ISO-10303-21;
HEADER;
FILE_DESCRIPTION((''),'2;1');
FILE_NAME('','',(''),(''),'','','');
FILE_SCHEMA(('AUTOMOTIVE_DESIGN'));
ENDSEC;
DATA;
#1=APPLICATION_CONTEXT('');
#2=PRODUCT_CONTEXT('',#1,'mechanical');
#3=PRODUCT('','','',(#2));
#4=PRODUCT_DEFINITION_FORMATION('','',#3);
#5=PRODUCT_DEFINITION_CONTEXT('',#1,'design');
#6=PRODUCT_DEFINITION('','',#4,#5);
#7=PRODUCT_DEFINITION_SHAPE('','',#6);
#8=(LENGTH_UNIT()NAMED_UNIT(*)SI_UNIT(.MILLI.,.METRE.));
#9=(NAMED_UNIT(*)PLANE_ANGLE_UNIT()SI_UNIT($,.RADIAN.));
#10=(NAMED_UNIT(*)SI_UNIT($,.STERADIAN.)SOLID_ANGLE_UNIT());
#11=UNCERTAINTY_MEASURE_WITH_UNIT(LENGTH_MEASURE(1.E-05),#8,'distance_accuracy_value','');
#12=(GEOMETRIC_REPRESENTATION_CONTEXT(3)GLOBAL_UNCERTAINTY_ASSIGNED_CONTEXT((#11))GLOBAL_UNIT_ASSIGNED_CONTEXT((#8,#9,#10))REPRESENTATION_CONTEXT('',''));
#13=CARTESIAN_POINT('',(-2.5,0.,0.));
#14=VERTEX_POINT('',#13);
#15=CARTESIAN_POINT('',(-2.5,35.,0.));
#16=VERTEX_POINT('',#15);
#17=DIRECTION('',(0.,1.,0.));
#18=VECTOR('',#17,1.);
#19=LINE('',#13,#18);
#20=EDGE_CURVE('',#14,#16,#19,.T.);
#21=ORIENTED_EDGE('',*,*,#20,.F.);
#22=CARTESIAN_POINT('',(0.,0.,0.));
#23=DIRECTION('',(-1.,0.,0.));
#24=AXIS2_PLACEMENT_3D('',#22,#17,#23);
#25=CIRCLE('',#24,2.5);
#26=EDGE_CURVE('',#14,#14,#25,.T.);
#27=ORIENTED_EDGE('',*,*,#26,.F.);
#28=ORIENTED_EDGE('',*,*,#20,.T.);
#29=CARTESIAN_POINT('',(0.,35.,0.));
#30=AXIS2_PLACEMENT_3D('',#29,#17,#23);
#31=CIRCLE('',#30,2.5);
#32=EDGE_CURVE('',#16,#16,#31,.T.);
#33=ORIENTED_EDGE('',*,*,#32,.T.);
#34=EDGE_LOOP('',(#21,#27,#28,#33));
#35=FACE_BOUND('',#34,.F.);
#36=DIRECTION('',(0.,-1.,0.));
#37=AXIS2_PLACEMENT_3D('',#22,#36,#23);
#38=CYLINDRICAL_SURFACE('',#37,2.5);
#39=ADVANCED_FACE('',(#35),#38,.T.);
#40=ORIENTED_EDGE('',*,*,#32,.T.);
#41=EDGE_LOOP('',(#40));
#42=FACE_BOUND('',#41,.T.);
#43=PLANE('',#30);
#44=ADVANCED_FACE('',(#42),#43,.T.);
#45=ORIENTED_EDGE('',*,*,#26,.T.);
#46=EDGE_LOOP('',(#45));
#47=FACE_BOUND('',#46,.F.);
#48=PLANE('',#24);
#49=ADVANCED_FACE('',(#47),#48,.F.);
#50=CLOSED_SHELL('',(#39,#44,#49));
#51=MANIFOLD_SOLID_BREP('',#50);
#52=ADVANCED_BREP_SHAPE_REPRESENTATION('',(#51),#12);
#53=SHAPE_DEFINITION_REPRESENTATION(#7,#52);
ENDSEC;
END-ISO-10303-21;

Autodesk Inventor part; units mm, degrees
ref_plane "YZ Plane" through (0, 0, 0) normal (1, 0, 0) x (0, 1, 0)
ref_plane "XZ Plane" through (0, 0, 0) normal (0, 1, 0) x (-1, 0, 0)
ref_plane "XY Plane" through (0, 0, 0) normal (0, 0, 1) x (1, 0, 0)
sketch "Sketch1" plane through (0, 0, 0) normal (0, 1, 0) x (-1, 0, 0)
  circle A0 centre (0, 0) radius 2.5
  dimension "d0" = 5
extrude "Extrusion1" add sketch "Sketch1" along normal blind 35
thread "Thread1" size "M5x0.8" class "6g" standard "ISO Metric profile" full length
properties part number "Stift_5mm"
